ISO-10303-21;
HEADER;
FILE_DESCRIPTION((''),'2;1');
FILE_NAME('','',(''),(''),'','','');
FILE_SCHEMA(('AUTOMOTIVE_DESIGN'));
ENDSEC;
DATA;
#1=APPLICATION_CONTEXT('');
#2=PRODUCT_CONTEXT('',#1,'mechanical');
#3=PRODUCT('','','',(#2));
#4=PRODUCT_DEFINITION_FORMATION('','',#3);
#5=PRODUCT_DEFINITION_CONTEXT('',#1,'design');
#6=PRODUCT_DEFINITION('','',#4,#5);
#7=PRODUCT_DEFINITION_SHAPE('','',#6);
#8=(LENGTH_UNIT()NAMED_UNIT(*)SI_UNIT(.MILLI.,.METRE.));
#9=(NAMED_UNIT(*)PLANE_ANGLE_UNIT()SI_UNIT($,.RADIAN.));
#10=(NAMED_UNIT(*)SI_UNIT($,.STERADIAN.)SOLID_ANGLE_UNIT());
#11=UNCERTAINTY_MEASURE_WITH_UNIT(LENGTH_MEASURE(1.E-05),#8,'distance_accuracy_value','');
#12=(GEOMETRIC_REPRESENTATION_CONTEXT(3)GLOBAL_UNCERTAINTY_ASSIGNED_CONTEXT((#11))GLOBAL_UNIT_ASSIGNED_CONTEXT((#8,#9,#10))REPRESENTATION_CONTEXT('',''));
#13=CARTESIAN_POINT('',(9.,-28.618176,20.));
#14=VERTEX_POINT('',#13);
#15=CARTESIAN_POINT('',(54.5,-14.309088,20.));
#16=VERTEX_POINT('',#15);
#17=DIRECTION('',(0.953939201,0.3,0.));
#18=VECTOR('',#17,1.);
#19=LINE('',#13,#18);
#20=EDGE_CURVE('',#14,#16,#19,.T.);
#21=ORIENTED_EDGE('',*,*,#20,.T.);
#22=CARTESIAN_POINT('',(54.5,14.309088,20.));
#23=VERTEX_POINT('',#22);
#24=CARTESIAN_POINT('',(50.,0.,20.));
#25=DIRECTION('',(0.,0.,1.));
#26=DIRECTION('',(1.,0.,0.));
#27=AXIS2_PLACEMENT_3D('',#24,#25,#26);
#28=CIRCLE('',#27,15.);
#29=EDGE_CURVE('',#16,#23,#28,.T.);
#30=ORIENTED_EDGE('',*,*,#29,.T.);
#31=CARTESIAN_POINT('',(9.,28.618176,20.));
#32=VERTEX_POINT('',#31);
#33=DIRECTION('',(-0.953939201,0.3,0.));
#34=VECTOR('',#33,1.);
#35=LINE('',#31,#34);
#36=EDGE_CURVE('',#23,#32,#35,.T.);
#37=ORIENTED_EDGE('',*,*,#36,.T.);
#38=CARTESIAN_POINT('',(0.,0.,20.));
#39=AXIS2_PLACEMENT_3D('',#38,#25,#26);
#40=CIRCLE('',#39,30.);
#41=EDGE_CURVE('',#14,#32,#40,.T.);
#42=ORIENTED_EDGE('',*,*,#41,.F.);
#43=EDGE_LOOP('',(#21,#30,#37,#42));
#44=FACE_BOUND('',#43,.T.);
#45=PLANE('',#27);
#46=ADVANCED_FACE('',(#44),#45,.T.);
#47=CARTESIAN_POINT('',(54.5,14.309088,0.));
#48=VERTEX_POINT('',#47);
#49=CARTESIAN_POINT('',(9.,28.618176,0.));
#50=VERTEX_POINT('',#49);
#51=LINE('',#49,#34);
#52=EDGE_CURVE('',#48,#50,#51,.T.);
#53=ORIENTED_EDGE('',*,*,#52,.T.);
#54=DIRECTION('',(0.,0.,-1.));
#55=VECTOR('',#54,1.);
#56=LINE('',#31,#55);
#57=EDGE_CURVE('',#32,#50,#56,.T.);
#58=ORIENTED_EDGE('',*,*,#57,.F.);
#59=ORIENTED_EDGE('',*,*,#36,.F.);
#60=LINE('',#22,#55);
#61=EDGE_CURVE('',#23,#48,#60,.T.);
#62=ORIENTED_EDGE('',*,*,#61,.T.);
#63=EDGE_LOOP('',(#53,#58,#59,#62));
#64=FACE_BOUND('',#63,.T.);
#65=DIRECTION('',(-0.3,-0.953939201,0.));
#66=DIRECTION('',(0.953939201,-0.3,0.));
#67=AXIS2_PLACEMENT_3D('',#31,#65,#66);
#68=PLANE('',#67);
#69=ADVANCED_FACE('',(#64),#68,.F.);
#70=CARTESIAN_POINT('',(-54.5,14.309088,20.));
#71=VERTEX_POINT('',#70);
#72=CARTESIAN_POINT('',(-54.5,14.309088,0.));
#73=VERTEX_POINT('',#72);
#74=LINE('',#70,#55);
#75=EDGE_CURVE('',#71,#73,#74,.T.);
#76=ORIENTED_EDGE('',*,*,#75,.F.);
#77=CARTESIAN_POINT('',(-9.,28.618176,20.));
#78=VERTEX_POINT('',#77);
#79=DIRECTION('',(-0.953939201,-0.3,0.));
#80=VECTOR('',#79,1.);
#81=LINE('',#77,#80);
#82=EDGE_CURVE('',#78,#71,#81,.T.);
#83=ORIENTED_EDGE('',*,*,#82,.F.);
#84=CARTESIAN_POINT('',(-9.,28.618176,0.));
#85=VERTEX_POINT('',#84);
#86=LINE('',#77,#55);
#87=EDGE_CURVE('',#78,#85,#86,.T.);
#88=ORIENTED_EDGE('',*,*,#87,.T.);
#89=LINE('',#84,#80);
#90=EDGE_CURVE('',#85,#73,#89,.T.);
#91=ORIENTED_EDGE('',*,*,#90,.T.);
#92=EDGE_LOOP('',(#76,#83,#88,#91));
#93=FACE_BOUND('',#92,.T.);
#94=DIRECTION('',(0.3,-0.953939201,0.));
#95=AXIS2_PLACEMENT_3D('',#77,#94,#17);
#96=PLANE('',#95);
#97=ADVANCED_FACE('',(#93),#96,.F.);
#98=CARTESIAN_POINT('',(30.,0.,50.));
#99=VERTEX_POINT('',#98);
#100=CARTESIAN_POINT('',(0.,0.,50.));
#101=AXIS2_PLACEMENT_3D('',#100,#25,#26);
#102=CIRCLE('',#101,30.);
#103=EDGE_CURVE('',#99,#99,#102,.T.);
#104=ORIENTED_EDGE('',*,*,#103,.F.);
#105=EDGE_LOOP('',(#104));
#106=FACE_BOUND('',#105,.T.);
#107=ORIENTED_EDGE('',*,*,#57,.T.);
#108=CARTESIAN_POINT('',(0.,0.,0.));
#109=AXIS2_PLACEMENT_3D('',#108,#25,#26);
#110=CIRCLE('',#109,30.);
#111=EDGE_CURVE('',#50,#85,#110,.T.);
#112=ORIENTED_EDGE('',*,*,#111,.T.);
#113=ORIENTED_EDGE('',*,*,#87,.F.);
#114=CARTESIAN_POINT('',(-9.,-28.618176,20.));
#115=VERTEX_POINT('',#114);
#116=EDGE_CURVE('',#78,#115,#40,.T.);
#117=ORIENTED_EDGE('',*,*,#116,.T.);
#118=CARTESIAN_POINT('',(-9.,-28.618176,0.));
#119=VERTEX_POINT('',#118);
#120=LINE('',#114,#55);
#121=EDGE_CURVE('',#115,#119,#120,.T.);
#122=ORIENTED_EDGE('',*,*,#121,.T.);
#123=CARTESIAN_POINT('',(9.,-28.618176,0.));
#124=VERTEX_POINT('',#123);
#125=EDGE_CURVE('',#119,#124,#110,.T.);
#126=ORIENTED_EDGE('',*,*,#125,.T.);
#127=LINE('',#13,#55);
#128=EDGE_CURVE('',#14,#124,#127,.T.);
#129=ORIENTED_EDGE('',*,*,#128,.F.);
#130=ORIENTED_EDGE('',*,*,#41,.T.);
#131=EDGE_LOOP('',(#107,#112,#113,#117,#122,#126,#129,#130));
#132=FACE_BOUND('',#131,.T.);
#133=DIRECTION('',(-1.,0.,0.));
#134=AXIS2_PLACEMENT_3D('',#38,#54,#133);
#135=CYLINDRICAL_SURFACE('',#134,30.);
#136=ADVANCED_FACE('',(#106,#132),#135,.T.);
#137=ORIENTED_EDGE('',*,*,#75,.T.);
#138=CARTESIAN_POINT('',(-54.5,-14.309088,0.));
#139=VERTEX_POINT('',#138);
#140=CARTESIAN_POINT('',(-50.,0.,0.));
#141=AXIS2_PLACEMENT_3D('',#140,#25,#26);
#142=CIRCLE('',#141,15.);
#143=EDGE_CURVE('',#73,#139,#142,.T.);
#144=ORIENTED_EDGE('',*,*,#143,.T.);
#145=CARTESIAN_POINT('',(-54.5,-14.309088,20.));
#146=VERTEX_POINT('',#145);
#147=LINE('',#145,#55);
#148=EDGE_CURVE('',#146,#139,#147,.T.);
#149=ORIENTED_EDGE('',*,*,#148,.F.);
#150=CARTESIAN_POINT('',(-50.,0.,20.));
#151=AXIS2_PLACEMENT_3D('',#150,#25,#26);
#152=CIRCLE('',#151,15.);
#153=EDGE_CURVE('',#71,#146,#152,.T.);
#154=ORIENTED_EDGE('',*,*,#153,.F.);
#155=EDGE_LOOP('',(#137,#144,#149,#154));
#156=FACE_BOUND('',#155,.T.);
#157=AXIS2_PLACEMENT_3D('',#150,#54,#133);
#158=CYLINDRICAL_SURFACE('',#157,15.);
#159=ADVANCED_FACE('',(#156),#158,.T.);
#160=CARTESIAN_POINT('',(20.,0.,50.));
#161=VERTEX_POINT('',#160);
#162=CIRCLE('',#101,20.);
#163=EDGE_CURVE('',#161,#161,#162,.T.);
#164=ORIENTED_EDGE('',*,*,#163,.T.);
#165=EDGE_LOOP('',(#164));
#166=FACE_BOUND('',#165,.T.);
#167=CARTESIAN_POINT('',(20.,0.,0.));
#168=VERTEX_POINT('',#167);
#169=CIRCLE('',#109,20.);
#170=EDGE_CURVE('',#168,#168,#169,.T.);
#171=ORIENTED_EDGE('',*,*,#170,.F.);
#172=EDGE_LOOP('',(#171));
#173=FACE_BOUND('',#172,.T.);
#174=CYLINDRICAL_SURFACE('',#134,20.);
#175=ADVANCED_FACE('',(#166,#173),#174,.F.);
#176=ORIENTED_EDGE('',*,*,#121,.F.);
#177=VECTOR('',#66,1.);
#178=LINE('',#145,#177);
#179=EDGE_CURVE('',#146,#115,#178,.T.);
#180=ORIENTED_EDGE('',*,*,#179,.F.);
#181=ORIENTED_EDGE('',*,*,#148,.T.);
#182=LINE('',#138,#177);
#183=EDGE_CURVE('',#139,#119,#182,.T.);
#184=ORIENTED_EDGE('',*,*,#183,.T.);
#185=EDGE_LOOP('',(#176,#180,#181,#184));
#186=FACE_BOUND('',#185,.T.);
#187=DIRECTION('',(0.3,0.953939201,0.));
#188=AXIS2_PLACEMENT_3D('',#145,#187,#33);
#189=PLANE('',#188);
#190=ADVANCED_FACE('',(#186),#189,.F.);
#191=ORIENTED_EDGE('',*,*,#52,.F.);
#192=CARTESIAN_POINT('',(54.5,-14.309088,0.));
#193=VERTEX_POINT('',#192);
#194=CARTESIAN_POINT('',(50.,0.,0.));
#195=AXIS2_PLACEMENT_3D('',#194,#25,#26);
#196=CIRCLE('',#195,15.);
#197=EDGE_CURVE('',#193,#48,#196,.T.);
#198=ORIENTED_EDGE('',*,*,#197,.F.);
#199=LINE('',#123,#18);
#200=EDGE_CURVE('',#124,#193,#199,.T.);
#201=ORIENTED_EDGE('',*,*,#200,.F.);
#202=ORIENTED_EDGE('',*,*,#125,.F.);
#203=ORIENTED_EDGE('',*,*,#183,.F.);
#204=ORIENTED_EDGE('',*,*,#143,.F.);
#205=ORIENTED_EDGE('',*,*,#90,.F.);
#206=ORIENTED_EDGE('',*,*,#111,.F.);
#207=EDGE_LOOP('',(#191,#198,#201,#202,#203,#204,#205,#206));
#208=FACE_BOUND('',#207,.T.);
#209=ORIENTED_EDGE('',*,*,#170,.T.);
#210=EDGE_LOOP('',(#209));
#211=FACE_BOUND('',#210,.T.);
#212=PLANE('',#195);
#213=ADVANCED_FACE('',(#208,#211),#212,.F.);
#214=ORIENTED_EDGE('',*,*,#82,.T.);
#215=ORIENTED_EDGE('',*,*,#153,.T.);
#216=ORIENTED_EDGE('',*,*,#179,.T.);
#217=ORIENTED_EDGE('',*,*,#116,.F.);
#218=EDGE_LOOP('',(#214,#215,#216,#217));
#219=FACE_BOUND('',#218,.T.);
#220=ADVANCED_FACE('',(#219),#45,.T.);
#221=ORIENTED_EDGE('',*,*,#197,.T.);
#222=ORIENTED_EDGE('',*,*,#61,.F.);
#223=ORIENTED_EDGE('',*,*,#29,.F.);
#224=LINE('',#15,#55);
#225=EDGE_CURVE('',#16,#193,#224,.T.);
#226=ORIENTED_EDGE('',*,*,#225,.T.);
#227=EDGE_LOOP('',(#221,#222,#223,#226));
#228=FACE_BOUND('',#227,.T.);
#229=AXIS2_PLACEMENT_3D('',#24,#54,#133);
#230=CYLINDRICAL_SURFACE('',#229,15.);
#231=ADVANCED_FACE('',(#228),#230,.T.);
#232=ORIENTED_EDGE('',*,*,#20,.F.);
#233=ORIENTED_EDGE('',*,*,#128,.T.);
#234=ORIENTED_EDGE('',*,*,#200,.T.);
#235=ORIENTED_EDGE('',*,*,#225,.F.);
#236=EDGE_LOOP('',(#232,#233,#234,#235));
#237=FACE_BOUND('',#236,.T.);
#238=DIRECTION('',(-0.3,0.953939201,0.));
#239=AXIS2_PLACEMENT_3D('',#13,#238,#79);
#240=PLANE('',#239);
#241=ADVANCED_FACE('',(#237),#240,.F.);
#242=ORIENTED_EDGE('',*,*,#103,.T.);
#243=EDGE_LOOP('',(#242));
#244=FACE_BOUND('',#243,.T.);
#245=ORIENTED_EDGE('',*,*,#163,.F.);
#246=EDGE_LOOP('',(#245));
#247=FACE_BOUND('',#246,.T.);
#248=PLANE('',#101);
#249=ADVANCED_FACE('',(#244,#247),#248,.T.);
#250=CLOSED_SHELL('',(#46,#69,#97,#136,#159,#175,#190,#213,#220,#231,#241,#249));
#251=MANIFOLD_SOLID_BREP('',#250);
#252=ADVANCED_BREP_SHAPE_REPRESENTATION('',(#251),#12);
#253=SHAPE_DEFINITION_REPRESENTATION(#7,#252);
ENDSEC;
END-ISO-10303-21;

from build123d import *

# Parameters (mm, degrees)
SKETCH1_R           = 20
BOSS_EXTRUDE1_DEPTH = 20
SKETCH2_R           = 30
SKETCH2_R_2         = 20
BOSS_EXTRUDE2_DEPTH = 30


with BuildPart() as part:
    # Sketch1 → Boss-Extrude1 (new body)
    with BuildSketch(Plane.XY):
        with BuildLine():
            Line((-9, 28.618176043), (-54.5, 14.309088021))
            ThreePointArc((-54.5, 14.309088021), (-65, 0), (-54.5, -14.309088021))
            Line((-54.5, -14.309088021), (-9, -28.618176043))
            ThreePointArc((-9, -28.618176043), (0, -30), (9, -28.618176043))
            Line((9, -28.618176043), (54.5, -14.309088021))
            ThreePointArc((54.5, -14.309088021), (65, 0), (54.5, 14.309088021))
            Line((54.5, 14.309088021), (9, 28.618176043))
            ThreePointArc((9, 28.618176043), (0, 30), (-9, 28.618176043))
        make_face()
        Circle(SKETCH1_R, mode=Mode.SUBTRACT)
    extrude(amount=BOSS_EXTRUDE1_DEPTH)

    # Sketch2 → Boss-Extrude2 (add)
    with BuildSketch(Plane.XY.offset(20)):
        with Locations(Location((0, 0, 0), (0, 0, 107.457603124))):
            Circle(SKETCH2_R)
        Circle(SKETCH2_R_2, mode=Mode.SUBTRACT)
    extrude(amount=BOSS_EXTRUDE2_DEPTH)


solid = part.part
